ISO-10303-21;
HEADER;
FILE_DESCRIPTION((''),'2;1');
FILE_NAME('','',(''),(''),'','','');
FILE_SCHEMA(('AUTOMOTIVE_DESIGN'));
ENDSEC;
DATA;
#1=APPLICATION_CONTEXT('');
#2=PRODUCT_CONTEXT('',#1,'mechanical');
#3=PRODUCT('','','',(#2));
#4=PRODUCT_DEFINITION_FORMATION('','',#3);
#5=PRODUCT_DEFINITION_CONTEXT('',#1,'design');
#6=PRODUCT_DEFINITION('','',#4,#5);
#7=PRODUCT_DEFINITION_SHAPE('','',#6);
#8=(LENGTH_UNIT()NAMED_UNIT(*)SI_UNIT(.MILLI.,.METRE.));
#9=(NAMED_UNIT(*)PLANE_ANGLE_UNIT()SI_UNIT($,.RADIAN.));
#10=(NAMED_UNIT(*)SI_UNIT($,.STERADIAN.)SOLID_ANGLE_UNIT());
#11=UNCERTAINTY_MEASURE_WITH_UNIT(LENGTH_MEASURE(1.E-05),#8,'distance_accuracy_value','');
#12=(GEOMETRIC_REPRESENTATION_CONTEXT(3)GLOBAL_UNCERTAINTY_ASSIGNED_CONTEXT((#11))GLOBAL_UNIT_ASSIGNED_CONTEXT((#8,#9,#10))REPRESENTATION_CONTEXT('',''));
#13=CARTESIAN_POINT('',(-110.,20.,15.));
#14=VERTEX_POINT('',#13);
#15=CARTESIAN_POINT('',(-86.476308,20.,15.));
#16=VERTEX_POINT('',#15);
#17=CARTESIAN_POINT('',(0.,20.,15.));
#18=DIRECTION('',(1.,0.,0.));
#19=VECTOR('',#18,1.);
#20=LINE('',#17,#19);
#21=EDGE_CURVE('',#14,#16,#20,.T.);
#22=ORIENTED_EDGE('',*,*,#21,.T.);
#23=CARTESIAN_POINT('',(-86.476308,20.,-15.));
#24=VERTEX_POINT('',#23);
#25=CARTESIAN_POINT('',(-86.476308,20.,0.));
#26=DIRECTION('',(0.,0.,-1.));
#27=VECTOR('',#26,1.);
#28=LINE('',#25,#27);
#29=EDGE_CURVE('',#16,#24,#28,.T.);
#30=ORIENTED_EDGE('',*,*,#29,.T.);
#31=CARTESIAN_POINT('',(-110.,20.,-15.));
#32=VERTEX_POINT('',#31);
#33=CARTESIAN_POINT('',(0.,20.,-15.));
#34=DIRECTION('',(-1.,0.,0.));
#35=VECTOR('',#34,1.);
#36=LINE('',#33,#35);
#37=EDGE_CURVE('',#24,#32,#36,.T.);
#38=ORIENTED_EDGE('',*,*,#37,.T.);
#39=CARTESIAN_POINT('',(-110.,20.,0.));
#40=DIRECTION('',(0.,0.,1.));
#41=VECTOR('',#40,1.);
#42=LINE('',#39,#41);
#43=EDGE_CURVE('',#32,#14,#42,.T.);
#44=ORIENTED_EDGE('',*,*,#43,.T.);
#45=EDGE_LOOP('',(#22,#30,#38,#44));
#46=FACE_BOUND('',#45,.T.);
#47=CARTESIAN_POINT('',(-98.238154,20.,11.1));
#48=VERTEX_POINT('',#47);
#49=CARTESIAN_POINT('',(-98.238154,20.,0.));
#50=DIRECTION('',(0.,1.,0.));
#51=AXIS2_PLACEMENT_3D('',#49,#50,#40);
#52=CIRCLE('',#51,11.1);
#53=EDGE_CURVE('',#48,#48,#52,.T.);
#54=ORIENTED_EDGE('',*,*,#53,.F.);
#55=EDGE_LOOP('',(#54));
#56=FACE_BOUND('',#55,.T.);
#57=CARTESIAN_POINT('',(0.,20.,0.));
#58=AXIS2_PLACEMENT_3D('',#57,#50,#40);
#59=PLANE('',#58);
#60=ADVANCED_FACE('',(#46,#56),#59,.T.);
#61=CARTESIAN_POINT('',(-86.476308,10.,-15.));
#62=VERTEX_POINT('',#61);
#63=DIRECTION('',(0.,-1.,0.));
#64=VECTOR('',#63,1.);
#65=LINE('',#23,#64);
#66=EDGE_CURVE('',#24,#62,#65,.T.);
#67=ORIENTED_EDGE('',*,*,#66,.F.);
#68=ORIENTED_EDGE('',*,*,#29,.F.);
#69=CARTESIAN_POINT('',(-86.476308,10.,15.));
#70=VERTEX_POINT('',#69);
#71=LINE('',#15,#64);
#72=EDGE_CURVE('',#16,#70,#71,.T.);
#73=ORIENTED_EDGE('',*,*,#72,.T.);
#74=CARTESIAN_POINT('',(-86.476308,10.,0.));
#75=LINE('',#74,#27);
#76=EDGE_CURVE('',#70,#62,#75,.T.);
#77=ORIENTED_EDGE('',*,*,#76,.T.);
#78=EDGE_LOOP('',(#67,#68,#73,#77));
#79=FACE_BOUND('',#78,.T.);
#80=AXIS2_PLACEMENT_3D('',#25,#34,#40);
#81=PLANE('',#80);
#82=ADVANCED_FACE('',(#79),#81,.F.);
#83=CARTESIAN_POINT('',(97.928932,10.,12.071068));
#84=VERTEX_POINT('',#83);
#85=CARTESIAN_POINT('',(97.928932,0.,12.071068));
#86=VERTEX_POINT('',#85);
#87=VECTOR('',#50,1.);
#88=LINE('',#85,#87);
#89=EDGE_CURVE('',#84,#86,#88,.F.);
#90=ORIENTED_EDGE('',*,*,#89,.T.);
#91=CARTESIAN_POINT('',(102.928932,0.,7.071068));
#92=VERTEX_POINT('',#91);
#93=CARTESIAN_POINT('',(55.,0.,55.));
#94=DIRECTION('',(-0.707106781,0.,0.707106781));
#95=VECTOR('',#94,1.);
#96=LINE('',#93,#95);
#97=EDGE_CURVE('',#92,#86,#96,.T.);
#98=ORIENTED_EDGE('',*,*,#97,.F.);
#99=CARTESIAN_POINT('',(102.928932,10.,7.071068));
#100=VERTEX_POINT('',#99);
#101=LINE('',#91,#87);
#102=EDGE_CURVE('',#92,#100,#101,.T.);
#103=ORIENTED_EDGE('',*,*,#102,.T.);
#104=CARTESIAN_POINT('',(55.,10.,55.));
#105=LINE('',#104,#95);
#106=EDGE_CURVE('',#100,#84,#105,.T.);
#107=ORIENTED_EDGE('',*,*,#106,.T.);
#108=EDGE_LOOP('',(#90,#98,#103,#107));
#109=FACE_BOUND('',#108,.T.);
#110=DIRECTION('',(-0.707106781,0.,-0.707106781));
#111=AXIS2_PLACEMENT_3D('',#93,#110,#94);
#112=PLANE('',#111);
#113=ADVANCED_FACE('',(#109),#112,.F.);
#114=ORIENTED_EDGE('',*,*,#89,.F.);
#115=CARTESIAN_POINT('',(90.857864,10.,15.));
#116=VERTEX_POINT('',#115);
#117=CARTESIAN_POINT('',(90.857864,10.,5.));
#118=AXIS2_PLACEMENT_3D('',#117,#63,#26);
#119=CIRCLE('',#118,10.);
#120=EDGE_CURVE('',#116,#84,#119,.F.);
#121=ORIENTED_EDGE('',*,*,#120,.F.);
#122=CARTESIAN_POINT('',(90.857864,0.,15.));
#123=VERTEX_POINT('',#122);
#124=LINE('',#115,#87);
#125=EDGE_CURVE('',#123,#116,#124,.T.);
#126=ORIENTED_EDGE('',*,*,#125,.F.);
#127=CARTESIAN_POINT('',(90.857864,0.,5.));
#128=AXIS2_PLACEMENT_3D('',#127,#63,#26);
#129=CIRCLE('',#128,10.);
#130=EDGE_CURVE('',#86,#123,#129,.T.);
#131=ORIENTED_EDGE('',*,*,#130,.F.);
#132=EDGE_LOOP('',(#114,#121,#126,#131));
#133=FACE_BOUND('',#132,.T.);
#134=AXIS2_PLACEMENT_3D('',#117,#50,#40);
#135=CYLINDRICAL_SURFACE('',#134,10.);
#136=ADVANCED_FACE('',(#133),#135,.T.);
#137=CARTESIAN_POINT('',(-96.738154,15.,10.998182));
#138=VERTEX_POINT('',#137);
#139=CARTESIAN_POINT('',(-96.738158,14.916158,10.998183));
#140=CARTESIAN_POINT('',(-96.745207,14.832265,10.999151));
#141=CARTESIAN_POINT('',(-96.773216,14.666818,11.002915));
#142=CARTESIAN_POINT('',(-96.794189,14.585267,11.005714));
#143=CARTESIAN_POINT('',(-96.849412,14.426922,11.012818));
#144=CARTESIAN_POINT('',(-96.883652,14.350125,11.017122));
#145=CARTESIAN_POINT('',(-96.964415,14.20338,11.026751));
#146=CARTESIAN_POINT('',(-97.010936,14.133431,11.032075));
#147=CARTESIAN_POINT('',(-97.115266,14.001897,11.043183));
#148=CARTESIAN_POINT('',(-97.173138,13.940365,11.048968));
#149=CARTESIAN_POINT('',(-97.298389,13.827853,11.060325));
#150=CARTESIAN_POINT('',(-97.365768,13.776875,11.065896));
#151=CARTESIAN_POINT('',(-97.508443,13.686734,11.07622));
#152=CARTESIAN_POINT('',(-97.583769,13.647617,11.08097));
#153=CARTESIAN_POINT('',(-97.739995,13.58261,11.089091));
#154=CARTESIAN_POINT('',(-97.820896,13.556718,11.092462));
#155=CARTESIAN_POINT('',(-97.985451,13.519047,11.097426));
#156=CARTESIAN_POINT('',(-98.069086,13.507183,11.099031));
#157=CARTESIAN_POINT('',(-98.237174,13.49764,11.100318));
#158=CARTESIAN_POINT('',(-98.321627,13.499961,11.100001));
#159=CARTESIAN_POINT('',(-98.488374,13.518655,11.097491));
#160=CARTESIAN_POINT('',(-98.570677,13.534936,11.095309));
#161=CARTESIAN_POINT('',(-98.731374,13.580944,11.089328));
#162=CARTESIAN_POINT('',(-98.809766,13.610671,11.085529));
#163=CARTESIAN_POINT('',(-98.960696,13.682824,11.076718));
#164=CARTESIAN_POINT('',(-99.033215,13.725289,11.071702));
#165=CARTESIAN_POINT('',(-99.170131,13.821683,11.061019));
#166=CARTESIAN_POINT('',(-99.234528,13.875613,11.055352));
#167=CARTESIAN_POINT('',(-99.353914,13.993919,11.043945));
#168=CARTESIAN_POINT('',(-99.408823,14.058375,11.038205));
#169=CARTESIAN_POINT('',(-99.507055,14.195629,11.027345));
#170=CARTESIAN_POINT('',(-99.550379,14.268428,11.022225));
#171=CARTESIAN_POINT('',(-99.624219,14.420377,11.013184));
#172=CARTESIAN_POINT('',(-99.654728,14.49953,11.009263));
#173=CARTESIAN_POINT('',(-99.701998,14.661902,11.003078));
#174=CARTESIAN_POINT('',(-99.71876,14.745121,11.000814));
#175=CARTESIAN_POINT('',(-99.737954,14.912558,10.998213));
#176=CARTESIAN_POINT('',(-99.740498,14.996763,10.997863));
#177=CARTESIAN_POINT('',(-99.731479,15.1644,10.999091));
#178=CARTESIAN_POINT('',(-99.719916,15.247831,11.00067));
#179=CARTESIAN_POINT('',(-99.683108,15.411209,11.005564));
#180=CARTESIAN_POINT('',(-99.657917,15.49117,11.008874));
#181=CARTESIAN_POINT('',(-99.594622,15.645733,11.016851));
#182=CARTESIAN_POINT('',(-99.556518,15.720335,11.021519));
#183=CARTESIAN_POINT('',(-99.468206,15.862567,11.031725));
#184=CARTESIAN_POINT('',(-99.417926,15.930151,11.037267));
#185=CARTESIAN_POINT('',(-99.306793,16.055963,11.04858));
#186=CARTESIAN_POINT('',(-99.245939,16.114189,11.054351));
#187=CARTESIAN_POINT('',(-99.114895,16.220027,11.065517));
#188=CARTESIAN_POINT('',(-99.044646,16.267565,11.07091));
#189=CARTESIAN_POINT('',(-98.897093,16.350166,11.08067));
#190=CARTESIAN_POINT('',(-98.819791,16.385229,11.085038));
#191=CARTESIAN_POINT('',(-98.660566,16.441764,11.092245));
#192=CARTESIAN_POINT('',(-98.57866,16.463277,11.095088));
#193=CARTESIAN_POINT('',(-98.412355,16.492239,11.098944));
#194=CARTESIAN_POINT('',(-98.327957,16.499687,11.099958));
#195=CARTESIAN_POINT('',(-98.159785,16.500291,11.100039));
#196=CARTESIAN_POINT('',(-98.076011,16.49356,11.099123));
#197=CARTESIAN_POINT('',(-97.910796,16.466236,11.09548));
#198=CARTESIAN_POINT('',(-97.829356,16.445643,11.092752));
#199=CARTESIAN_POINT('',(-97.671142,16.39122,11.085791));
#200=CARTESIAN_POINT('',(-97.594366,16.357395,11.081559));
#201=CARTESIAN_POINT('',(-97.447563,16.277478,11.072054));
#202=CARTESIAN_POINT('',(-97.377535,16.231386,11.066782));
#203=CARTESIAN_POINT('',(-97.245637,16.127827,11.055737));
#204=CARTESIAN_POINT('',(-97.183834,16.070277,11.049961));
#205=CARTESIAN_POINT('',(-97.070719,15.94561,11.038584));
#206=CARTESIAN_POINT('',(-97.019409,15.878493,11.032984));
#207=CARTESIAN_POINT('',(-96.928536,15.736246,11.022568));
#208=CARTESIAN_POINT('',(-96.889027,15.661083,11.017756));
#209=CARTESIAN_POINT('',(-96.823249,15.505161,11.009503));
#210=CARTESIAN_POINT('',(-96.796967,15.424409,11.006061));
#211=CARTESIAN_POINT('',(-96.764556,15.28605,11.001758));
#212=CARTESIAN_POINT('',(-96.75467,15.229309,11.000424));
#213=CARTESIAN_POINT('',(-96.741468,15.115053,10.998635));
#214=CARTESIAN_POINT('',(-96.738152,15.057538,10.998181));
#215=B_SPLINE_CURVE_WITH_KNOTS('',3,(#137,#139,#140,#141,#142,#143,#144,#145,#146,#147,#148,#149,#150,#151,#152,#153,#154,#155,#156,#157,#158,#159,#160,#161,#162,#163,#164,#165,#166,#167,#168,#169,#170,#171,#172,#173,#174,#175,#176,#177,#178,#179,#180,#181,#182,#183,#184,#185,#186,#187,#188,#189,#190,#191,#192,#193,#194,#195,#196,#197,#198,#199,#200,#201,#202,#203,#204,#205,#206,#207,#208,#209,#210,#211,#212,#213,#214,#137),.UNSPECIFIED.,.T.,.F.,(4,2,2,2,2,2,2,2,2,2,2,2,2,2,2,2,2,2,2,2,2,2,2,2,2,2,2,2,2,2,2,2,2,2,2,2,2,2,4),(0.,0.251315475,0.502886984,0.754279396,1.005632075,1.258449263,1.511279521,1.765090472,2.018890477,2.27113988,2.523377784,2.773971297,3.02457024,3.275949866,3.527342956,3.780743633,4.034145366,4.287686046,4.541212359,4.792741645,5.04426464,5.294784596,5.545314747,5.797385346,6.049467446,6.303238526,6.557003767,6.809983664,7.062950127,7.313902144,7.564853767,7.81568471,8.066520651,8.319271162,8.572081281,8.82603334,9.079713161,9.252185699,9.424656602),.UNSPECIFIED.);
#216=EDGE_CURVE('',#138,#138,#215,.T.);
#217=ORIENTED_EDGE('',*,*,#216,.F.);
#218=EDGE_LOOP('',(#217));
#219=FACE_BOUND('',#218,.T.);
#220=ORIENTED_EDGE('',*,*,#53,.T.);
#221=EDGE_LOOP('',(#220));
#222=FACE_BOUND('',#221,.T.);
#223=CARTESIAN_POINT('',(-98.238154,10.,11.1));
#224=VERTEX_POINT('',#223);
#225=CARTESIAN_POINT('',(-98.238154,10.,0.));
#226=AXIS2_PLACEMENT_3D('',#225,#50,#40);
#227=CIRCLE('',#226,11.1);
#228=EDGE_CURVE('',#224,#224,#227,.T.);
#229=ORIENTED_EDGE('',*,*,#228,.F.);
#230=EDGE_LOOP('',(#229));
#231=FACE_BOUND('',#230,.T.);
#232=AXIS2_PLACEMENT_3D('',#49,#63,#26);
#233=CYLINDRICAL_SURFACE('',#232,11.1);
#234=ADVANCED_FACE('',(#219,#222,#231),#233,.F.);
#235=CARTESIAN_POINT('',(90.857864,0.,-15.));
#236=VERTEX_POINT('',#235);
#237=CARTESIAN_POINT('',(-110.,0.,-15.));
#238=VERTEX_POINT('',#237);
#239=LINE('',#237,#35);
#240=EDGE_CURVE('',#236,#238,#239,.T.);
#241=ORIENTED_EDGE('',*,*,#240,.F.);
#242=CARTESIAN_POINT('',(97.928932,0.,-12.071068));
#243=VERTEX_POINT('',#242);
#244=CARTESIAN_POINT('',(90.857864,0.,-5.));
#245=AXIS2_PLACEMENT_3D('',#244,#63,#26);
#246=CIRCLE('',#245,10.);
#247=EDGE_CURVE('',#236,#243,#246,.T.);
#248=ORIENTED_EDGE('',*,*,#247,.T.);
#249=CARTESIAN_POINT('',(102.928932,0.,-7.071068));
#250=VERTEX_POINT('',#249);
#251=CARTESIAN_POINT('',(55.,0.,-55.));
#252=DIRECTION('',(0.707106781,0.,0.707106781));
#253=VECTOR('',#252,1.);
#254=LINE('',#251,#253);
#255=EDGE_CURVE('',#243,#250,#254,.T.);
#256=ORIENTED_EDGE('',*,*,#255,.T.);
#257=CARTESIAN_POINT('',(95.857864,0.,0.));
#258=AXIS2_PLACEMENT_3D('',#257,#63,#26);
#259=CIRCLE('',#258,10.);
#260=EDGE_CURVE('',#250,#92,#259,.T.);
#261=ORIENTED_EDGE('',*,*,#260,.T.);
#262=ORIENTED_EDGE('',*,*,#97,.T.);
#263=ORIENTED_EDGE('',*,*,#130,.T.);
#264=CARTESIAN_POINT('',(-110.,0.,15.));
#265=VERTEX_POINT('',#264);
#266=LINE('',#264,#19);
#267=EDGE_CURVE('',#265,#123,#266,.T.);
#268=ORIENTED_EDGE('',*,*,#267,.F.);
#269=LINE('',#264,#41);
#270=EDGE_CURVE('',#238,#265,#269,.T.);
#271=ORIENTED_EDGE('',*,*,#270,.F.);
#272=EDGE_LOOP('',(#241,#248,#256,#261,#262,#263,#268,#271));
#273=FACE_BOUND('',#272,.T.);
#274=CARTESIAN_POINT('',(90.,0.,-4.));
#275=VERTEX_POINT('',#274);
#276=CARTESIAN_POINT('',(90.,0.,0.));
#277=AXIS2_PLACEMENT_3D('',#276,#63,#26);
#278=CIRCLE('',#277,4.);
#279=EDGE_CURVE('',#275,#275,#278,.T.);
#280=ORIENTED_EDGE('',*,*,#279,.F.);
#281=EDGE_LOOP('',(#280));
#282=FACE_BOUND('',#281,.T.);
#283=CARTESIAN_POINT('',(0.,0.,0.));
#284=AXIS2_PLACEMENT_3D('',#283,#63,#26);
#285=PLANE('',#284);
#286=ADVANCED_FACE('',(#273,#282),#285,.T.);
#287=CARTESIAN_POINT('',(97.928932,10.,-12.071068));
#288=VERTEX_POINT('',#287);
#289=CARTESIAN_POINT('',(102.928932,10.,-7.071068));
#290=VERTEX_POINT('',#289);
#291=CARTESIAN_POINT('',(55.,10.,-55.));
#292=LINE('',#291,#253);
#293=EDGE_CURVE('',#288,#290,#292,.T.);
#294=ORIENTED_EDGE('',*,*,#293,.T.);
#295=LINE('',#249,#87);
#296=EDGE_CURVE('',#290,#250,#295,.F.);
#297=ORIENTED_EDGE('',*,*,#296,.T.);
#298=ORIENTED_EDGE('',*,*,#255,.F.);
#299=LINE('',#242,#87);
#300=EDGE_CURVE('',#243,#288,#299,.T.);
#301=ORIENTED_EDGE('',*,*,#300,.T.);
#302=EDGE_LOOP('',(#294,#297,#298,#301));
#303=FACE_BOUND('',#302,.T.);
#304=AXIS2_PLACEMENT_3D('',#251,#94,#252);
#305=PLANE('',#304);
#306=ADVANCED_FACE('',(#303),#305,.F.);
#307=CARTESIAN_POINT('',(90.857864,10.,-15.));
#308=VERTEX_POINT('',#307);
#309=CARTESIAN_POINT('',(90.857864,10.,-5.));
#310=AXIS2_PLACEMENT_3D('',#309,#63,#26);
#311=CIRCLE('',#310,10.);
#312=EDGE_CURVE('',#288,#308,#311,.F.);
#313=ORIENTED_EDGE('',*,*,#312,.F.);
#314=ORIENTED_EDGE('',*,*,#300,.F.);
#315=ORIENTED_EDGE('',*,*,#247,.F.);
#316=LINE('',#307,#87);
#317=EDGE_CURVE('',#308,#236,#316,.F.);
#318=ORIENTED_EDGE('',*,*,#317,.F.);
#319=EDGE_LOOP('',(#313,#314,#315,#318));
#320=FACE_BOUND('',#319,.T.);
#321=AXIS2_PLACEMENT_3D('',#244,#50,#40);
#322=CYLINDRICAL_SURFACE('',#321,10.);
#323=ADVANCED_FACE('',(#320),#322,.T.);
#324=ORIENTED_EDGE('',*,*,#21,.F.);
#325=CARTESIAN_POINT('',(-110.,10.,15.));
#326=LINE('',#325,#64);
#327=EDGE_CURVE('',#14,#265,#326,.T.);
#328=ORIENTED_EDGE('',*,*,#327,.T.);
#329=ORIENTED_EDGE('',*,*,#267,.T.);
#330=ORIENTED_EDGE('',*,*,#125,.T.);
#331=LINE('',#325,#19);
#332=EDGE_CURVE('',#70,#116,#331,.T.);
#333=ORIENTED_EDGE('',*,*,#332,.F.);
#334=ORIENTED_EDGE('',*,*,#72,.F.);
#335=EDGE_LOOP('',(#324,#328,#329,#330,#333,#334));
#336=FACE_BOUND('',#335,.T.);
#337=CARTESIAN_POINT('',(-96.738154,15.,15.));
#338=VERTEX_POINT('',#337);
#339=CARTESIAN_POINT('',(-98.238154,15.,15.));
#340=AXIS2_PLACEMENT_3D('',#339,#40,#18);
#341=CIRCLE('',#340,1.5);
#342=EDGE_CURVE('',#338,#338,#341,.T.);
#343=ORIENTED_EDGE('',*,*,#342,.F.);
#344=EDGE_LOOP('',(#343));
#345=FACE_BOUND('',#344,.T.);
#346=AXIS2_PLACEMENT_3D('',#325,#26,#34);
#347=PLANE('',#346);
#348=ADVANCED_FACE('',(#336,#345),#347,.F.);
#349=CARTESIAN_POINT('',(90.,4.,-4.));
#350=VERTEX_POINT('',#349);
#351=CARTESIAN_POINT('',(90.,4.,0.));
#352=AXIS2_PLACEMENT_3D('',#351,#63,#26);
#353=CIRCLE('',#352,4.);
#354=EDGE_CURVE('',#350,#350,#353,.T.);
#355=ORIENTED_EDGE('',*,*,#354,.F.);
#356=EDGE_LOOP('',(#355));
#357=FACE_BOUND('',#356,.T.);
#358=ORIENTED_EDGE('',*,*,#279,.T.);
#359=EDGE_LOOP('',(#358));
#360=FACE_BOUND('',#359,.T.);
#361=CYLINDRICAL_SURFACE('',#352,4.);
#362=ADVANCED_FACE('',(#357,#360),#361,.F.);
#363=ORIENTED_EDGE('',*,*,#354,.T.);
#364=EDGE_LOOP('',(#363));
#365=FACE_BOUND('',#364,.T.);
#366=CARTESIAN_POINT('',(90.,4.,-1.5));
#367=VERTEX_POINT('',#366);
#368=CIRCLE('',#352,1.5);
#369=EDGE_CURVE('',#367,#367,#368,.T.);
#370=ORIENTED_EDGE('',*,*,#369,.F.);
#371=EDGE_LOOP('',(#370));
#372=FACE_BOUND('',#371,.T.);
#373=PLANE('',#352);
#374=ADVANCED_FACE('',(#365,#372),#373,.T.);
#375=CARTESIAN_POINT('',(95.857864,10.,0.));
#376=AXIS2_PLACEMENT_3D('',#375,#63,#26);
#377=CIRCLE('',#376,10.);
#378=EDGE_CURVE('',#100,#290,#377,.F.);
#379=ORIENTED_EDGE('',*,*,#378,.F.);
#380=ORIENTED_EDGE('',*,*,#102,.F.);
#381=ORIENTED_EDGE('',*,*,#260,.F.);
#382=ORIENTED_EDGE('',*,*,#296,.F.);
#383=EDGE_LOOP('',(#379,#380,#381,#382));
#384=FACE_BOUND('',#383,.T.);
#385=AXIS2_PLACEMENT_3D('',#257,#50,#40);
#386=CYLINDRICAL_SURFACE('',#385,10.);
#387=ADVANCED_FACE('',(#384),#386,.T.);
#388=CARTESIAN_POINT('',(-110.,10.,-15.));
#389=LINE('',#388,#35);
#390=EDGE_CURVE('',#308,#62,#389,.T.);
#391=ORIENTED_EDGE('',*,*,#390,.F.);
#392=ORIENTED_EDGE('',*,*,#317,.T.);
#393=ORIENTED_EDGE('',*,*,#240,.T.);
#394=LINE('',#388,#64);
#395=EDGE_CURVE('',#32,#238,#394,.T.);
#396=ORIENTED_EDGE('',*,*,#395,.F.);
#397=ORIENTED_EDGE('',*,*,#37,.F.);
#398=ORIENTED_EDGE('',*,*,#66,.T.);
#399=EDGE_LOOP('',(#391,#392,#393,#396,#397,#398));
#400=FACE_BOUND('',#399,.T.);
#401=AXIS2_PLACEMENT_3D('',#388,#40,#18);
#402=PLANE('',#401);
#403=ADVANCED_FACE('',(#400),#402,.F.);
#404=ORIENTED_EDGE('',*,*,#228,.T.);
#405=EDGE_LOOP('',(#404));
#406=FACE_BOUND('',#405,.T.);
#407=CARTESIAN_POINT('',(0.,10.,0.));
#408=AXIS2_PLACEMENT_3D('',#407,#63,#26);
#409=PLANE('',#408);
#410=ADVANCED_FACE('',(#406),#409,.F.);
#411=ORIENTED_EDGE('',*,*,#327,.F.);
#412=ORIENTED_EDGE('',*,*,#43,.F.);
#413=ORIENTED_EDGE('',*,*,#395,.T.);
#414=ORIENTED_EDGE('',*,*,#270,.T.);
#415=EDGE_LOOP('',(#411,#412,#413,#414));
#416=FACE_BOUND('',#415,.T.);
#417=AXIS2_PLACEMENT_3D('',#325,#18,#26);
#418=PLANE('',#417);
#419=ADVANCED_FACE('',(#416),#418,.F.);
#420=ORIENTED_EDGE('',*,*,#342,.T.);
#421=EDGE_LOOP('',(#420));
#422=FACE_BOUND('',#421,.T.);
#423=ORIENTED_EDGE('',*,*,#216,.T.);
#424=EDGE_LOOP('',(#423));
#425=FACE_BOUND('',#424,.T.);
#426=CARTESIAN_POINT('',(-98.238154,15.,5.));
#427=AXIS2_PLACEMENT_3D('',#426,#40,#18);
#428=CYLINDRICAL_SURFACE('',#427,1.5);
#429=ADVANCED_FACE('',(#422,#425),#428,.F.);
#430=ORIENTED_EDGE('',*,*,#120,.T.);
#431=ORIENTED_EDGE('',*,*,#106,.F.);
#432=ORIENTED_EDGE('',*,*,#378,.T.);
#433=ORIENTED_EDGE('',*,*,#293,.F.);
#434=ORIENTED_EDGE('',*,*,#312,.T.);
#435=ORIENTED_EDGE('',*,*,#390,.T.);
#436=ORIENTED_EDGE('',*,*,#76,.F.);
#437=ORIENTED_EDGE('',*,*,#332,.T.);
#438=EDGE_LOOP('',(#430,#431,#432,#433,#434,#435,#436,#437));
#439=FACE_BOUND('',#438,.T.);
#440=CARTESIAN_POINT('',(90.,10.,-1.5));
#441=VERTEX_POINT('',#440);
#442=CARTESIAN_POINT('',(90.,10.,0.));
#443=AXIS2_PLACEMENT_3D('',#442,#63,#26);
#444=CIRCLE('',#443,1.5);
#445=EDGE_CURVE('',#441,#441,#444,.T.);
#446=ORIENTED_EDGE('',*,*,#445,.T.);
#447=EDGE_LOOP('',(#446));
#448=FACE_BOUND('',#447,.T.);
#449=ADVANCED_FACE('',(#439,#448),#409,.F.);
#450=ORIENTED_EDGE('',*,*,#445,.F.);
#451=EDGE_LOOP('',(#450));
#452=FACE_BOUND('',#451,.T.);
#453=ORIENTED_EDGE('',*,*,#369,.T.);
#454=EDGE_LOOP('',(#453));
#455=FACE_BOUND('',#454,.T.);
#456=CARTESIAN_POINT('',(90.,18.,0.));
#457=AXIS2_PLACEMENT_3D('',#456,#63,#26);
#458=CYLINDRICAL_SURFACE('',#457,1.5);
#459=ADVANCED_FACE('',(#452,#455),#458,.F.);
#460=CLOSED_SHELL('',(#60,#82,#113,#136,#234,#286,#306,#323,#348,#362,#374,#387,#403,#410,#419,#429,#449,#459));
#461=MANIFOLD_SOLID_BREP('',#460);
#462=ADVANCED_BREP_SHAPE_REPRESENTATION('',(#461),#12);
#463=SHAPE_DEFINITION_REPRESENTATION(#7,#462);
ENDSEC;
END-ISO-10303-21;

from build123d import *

# Parameters (mm, degrees)
SKETCH1_W           = 220
SKETCH1_H           = 30
BOSS_EXTRUDE1_DEPTH = 10
SKETCH2_W           = 23.523691572
SKETCH2_H           = 30
SKETCH2_R           = 11.1
BOSS_EXTRUDE3_DEPTH = 10
SKETCH6_R           = 1.5
CUT_EXTRUDE2_DEPTH  = 10
CUT_EXTRUDE3_START  = -10
SKETCH4_R           = 4
CUT_EXTRUDE3_DEPTH  = 4
SKETCH7_R           = 1.5
CUT_EXTRUDE4_DEPTH  = 14
CUT_EXTRUDE5_DEPTH  = 10
FILLET1_R           = 10


with BuildPart() as part:
    # Sketch1 → Boss-Extrude1 (new body)
    with BuildSketch(Plane(origin=(0, 0, 0), x_dir=(1, 0, 0), z_dir=(0, 1, 0))):
        Rectangle(SKETCH1_W, SKETCH1_H)
    extrude(amount=BOSS_EXTRUDE1_DEPTH)

    # Sketch2 → Boss-Extrude3 (add)
    with BuildSketch(Plane(origin=(0, 10, 0), x_dir=(1, 0, 0), z_dir=(0, 1, 0))):
        with Locations((-98.238154214, 0)):
            Rectangle(SKETCH2_W, SKETCH2_H)
        with Locations(Location((-98.238154214, 0, 0), (0, 0, 270))):
            Circle(SKETCH2_R, mode=Mode.SUBTRACT)
    extrude(amount=BOSS_EXTRUDE3_DEPTH)

    # Sketch6 → Cut-Extrude2 (cut)
    with BuildSketch(Plane.XY.offset(15)):
        with Locations((-98.238154214, 15)):
            Circle(SKETCH6_R)
    extrude(amount=-CUT_EXTRUDE2_DEPTH, mode=Mode.SUBTRACT)

    # Sketch4 → Cut-Extrude3 (cut)
    with BuildSketch(Plane(origin=(0, 10, 0), x_dir=(1, 0, 0), z_dir=(0, 1, 0)).offset(CUT_EXTRUDE3_START)):
        with Locations(Location((90, 0, 0), (0, 0, 90))):
            Circle(SKETCH4_R)
    extrude(amount=CUT_EXTRUDE3_DEPTH, mode=Mode.SUBTRACT)

    # Sketch7 → Cut-Extrude4 (cut)
    with BuildSketch(Plane(origin=(0, 4, 0), x_dir=(-1, 0, 0), z_dir=(0, -1, 0))):
        with Locations(Location((-90, 0, 0), (0, 0, 90))):
            Circle(SKETCH7_R)
    extrude(amount=-CUT_EXTRUDE4_DEPTH, mode=Mode.SUBTRACT)

    # Sketch8 → Cut-Extrude5 (cut)
    with BuildSketch(Plane(origin=(0, 10, 0), x_dir=(1, 0, 0), z_dir=(0, 1, 0))):
        Polygon((110, -15), (110, 0), (95, -15), align=None)
        Polygon((110, 15), (95, 15), (110, 0), align=None)
    extrude(amount=-CUT_EXTRUDE5_DEPTH, mode=Mode.SUBTRACT)

    # Fillet1
    fillet1_edges = [part.edges().sort_by_distance(p)[0] for p in [
        (110, 5, 0),
        (95, 5, 15),
        (95, 5, -15),
    ]]
    fillet(fillet1_edges, radius=FILLET1_R)


solid = part.part
